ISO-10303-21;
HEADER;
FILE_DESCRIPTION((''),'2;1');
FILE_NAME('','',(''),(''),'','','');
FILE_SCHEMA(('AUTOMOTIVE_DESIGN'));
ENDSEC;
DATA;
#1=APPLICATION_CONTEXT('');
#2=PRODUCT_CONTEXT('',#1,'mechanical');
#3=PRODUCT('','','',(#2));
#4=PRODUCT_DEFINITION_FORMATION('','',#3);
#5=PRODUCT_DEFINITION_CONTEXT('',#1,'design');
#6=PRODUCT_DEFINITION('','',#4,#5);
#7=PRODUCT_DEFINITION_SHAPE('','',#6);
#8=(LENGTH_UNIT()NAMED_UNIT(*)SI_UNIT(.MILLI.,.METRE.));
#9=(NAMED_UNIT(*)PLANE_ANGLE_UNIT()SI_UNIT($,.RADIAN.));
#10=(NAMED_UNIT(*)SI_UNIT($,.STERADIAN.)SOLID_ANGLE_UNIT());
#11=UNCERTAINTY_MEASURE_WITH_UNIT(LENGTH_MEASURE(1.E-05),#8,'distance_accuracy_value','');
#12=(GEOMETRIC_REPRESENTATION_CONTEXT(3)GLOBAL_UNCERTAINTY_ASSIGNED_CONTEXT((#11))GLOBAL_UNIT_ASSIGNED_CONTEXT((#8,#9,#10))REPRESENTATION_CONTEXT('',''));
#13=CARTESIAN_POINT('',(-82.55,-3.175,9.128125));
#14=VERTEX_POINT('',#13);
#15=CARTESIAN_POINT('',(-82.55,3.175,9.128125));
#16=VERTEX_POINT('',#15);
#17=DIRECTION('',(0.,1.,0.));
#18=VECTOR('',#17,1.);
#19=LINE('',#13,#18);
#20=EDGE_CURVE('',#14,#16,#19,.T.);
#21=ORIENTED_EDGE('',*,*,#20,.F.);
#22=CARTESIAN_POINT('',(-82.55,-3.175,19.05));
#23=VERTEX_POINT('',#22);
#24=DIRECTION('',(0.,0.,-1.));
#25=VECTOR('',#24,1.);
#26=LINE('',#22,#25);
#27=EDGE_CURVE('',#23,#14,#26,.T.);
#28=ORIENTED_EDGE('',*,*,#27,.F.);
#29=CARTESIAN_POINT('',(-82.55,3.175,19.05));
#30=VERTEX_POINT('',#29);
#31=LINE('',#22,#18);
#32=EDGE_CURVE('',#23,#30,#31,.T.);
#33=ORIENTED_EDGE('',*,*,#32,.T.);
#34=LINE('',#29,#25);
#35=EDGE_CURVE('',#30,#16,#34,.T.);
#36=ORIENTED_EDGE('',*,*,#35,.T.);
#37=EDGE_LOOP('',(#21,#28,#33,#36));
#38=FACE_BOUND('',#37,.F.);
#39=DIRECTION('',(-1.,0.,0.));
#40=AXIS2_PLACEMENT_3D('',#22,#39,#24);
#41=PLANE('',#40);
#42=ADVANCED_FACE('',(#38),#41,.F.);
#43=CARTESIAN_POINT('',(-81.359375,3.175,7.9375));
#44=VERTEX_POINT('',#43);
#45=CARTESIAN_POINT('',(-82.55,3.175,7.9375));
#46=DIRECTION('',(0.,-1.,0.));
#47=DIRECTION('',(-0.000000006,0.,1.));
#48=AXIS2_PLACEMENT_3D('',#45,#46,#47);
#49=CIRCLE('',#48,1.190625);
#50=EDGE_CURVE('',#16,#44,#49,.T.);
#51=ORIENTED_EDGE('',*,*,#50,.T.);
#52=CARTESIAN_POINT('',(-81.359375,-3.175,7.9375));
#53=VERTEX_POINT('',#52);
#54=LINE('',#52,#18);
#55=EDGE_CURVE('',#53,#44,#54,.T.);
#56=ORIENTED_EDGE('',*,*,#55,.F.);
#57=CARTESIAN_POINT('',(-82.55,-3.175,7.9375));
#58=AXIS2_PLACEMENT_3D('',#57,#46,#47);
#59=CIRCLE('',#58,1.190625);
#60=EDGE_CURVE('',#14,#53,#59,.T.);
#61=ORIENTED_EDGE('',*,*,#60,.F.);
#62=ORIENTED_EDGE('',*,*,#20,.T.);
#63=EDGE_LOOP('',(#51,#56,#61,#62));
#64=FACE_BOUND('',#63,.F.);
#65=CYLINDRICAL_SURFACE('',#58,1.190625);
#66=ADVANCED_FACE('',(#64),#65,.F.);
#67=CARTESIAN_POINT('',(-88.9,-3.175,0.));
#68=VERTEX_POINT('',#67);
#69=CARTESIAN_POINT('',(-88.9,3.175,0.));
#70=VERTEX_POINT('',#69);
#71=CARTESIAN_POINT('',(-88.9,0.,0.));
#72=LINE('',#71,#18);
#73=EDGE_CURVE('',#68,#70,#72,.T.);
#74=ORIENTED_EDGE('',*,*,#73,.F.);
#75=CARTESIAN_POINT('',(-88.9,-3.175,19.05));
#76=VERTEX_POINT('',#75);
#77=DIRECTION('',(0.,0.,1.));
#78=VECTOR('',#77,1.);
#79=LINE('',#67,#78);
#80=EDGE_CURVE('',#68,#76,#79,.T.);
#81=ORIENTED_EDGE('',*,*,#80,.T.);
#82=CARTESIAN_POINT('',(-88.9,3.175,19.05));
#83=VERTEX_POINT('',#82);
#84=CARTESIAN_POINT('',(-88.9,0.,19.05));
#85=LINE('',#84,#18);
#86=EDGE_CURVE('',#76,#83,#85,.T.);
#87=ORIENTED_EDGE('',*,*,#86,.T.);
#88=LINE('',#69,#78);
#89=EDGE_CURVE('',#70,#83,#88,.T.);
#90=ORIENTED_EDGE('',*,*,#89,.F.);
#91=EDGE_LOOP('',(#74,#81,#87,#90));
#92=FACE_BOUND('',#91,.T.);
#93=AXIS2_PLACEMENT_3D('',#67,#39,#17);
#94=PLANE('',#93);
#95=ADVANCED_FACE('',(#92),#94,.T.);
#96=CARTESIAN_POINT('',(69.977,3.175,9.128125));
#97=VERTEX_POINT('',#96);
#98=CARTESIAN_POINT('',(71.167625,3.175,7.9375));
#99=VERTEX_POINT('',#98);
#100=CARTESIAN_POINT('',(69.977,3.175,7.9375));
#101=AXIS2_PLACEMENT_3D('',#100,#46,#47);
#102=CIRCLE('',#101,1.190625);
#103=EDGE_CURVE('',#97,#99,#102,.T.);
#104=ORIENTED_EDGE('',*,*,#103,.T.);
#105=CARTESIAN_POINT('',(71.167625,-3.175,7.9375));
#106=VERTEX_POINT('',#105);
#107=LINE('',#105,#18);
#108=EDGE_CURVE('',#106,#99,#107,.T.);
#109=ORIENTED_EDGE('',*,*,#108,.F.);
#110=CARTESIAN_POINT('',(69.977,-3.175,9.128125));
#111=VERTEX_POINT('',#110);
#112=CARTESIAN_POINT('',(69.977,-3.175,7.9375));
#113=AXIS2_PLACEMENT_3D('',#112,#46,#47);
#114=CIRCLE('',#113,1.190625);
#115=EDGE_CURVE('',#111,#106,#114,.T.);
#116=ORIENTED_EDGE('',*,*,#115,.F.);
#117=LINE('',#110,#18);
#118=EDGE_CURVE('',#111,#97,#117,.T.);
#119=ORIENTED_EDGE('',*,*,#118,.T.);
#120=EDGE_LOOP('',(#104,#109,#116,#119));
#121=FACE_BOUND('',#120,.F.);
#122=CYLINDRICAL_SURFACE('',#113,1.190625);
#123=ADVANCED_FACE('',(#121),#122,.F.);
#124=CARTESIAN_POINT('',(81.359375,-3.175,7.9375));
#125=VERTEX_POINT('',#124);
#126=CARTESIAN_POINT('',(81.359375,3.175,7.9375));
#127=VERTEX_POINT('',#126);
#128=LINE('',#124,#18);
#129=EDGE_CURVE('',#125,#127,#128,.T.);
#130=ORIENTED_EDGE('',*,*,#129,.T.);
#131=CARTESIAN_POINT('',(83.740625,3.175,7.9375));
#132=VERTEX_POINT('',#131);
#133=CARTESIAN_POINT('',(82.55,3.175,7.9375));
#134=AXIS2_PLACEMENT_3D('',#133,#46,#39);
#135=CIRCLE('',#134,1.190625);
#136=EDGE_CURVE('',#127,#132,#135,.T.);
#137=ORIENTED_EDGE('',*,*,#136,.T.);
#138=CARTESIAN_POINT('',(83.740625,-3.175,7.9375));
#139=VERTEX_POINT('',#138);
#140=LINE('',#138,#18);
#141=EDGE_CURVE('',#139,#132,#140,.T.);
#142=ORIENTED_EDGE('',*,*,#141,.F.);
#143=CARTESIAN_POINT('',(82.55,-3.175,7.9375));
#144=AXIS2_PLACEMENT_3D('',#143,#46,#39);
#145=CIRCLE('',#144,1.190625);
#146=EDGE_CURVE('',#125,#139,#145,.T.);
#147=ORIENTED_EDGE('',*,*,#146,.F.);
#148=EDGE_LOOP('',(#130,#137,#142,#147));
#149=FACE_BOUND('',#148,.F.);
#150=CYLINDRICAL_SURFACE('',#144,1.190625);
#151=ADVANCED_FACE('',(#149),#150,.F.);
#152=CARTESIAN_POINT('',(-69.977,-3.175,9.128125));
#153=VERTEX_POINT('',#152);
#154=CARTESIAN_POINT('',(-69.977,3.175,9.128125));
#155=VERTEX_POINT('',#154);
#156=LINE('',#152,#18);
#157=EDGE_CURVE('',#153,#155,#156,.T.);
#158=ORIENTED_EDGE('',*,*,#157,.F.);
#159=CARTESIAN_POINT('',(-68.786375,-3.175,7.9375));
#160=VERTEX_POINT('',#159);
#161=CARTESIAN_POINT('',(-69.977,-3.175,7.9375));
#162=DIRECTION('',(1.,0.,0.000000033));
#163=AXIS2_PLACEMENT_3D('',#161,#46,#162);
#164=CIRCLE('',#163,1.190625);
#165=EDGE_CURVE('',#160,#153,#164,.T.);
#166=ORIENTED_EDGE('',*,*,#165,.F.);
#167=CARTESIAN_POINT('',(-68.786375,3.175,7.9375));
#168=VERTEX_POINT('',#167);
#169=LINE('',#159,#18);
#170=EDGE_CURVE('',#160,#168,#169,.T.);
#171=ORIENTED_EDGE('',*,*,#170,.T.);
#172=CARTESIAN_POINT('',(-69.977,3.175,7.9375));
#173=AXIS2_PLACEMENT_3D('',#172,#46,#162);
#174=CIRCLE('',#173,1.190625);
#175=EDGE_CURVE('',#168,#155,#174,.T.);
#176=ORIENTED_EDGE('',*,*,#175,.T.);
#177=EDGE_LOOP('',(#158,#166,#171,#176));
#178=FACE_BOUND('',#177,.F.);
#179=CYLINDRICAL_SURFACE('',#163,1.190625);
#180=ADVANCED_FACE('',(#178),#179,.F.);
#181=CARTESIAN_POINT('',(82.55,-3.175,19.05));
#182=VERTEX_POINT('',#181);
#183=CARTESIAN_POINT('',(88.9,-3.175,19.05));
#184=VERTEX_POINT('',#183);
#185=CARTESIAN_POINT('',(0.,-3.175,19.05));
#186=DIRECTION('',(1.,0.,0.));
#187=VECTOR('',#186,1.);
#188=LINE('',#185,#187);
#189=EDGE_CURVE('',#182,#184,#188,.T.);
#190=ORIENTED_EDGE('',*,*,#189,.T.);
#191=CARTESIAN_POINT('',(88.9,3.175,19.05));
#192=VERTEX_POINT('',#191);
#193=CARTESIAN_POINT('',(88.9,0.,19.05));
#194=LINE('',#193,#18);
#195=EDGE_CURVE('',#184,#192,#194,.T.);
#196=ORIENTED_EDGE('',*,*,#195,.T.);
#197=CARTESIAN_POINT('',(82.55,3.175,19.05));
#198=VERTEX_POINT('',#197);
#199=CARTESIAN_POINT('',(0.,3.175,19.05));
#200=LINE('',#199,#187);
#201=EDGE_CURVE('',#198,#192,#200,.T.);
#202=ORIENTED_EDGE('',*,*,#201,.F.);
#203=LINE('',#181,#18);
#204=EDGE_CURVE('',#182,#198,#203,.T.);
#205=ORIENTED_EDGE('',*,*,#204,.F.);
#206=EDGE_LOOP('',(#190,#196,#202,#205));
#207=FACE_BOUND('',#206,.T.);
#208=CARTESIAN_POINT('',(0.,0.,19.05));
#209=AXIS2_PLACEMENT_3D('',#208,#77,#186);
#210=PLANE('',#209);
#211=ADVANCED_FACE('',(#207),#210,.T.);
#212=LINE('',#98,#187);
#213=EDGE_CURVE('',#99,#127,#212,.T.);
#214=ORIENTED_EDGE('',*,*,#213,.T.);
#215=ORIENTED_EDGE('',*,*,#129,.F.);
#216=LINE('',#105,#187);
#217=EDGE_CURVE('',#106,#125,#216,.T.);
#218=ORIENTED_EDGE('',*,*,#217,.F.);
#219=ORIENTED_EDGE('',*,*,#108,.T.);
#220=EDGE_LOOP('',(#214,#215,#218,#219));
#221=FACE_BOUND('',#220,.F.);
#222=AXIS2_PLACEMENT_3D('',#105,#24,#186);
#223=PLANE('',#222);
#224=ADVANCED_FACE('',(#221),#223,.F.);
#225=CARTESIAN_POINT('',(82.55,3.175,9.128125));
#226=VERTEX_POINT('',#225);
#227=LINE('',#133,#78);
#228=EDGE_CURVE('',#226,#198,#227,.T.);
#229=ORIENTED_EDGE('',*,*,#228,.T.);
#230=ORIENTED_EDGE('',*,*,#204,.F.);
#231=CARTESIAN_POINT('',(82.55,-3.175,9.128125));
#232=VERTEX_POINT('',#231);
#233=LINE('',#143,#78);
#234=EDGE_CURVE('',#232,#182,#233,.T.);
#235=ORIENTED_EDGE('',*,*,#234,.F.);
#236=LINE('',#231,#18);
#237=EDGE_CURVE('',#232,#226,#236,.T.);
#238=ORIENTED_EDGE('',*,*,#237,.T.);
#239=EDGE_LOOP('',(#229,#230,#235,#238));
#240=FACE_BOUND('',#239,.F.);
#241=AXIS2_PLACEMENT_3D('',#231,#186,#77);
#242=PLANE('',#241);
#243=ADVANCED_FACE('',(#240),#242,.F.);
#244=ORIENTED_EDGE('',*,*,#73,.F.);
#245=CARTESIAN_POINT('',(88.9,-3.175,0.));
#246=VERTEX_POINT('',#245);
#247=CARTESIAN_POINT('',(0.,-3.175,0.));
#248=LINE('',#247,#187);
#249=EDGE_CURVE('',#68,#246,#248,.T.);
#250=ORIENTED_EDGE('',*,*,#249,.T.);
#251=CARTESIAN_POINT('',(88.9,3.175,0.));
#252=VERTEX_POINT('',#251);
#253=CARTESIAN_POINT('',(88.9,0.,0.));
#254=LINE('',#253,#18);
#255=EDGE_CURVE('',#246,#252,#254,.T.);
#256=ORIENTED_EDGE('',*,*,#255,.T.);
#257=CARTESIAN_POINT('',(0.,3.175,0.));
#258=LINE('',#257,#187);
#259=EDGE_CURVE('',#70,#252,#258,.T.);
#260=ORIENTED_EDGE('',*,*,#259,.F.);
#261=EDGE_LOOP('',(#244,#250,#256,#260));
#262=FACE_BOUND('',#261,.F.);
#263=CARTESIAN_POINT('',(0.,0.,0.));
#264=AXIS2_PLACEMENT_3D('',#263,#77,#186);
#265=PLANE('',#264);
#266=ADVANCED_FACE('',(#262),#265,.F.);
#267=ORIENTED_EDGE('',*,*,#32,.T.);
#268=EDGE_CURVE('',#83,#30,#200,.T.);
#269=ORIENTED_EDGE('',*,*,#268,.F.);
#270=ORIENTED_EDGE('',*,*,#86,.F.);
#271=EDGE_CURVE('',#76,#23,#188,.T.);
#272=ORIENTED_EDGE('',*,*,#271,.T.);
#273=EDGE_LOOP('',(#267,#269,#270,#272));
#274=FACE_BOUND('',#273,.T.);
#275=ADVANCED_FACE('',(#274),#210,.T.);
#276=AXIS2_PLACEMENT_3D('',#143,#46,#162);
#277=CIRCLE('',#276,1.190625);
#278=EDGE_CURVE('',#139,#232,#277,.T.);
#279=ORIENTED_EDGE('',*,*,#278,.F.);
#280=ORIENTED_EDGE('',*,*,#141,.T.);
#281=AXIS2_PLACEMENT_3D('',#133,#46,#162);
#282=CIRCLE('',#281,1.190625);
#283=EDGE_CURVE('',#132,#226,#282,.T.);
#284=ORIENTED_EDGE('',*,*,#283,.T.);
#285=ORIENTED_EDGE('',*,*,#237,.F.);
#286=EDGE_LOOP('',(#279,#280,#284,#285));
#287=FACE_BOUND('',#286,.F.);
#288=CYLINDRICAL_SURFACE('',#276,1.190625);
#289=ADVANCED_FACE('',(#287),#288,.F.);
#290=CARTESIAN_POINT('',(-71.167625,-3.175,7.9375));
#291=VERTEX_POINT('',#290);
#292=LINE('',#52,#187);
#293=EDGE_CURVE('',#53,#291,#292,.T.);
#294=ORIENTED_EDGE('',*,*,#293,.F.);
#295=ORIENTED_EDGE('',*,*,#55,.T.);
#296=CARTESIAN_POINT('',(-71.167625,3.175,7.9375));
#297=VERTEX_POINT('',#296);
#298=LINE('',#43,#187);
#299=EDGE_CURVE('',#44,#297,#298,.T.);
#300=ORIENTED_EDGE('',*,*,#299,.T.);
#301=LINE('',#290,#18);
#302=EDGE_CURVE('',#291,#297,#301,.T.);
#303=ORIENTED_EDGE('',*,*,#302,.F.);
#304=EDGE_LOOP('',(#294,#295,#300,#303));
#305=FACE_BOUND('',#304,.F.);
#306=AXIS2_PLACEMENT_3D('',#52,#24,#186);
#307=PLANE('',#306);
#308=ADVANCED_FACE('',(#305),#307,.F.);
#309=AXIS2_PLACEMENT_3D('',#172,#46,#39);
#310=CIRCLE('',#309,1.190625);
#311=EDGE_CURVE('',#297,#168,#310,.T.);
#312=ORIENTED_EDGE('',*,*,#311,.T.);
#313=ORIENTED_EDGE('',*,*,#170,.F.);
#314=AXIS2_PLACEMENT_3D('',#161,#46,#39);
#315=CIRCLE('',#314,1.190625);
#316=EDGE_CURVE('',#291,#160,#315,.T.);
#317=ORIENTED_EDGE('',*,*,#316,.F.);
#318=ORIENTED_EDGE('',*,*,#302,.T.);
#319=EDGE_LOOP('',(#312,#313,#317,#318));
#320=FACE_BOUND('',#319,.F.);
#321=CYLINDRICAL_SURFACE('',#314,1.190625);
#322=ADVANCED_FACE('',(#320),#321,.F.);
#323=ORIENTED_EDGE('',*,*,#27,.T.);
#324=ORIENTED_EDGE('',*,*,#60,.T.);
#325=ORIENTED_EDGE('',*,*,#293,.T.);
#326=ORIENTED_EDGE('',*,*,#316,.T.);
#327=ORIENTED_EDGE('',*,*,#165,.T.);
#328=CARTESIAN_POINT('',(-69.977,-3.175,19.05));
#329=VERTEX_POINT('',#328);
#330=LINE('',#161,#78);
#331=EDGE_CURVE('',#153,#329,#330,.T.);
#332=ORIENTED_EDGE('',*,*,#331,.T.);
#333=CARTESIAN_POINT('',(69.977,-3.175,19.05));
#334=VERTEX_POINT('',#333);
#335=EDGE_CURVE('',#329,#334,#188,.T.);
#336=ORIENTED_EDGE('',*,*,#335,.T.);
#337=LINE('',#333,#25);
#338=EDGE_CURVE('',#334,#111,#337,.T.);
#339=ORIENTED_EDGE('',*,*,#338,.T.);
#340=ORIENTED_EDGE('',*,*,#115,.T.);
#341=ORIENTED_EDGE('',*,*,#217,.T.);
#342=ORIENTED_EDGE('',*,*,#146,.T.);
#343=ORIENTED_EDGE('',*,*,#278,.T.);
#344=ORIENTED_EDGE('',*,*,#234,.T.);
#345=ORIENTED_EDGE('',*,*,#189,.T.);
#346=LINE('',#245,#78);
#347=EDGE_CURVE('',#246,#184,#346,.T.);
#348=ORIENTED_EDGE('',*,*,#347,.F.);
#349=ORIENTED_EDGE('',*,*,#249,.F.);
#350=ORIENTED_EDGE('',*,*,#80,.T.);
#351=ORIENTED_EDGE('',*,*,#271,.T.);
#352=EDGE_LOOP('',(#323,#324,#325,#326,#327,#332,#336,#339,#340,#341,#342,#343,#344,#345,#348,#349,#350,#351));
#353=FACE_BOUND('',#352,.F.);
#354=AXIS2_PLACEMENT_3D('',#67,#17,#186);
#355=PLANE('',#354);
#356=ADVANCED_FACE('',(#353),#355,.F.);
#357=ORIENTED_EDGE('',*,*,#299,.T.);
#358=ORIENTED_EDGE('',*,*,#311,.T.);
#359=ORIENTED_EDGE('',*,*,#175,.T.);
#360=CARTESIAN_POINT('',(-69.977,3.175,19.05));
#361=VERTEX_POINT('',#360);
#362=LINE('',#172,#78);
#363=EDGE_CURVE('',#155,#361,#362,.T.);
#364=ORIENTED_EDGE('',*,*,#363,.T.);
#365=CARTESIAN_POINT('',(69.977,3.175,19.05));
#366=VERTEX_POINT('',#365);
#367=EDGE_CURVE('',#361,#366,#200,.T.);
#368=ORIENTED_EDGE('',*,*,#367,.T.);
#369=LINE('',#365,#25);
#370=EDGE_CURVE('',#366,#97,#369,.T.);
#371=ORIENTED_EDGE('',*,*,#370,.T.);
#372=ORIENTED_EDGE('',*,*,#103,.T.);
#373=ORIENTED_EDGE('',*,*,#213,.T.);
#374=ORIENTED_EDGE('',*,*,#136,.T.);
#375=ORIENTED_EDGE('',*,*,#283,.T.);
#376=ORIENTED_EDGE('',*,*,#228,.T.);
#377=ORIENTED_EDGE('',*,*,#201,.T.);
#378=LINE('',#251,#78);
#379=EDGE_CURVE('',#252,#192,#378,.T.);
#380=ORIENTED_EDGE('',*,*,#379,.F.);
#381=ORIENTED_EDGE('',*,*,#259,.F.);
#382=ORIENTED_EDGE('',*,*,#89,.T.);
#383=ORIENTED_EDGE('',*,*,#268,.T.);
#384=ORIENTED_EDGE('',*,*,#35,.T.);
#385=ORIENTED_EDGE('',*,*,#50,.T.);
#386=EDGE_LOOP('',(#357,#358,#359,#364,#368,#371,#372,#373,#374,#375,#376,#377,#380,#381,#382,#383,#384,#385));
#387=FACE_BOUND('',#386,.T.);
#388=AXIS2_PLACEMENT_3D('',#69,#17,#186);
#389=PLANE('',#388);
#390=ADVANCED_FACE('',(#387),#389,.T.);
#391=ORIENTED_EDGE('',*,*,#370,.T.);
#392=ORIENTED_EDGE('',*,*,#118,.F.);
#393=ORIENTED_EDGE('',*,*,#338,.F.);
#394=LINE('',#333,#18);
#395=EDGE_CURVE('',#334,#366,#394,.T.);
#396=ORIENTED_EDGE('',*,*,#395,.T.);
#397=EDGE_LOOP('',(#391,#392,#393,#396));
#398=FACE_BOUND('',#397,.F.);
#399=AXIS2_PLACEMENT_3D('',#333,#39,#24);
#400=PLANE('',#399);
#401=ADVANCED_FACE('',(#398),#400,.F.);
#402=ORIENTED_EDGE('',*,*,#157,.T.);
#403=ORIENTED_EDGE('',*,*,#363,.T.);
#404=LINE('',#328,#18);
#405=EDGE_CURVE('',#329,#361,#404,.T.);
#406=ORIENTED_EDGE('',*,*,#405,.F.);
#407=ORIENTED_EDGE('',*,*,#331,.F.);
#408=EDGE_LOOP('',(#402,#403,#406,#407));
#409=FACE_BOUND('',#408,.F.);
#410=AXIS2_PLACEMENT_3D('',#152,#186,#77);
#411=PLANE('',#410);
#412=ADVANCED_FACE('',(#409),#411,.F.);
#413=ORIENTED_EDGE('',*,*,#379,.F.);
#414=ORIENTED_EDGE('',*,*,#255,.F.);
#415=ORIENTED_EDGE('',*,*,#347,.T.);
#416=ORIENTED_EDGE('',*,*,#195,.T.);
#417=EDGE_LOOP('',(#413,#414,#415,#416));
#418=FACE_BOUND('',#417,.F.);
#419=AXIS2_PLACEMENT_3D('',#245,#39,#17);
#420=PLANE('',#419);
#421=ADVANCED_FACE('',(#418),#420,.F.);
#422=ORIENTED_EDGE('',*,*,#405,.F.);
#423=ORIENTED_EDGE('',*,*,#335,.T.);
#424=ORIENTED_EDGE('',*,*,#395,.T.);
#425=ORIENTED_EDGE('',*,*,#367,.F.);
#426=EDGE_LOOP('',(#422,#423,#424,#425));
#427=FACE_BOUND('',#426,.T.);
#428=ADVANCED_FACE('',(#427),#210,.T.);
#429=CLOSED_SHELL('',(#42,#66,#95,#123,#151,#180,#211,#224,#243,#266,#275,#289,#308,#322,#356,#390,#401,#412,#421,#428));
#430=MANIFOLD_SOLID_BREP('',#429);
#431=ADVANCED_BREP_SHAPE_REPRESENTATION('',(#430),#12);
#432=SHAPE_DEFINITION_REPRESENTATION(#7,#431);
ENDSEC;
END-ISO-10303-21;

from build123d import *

# Parameters (mm, degrees)
F0_W     = 177.8
F0_H     = 6.35
F1_DEPTH = 19.05
F3_DEPTH = 6.35


with BuildPart() as f1:
    # F0 (on Top) → F1 (new body)
    with BuildSketch(Plane.XY):
        Rectangle(F0_W, F0_H)
    extrude(amount=F1_DEPTH)

    # F2 (on face) → F3 (cut, through all)
    with BuildSketch(Plane.XZ.offset(3.175)):
        with BuildLine():
            Line((-69.977, 19.05), (-82.55, 19.05))
            Line((-82.55, 19.05), (-82.55, 9.128125))
            ThreePointArc((-82.55, 9.128125), (-81.708101, 8.779399), (-81.359375, 7.9375))
            Line((-81.359375, 7.9375), (-71.167625, 7.9375))
            ThreePointArc((-71.167625, 7.9375), (-70.818899, 8.779399), (-69.977, 9.128125))
            Line((-69.977, 9.128125), (-69.977, 19.05))
        make_face()
        with BuildLine():
            Line((-82.55, 7.9375), (-82.55, 9.128125))
            ThreePointArc((-82.55, 9.128125), (-83.391899, 7.095601), (-81.359375, 7.9375))
            Line((-81.359375, 7.9375), (-82.55, 7.9375))
        make_face()
        with BuildLine():
            ThreePointArc((-81.359375, 7.9375), (-81.708101, 8.779399), (-82.55, 9.128125))
            Line((-82.55, 9.128125), (-82.55, 7.9375))
            Line((-82.55, 7.9375), (-81.359375, 7.9375))
        make_face()
        with BuildLine():
            Line((-69.977, 7.9375), (-69.977, 9.128125))
            ThreePointArc((-69.977, 9.128125), (-70.818899, 8.779399), (-71.167625, 7.9375))
            Line((-71.167625, 7.9375), (-69.977, 7.9375))
        make_face()
        with BuildLine():
            ThreePointArc((-68.786375, 7.9375), (-69.135101, 8.779399), (-69.977, 9.128125))
            Line((-69.977, 9.128125), (-69.977, 7.9375))
            Line((-69.977, 7.9375), (-71.167625, 7.9375))
            ThreePointArc((-71.167625, 7.9375), (-69.977, 6.746875), (-68.786375, 7.9375))
        make_face()
        with BuildLine():
            Line((82.55, 19.05), (69.977, 19.05))
            Line((69.977, 19.05), (69.977, 9.128125))
            ThreePointArc((69.977, 9.128125), (70.818899, 8.779399), (71.167625, 7.9375))
            Line((71.167625, 7.9375), (81.359375, 7.9375))
            ThreePointArc((81.359375, 7.9375), (81.708101, 8.779399), (82.55, 9.128125))
            Line((82.55, 9.128125), (82.55, 19.05))
        make_face()
        with BuildLine():
            Line((69.977, 7.9375), (69.977, 9.128125))
            ThreePointArc((69.977, 9.128125), (69.135101, 7.095601), (71.167625, 7.9375))
            Line((71.167625, 7.9375), (69.977, 7.9375))
        make_face()
        with BuildLine():
            ThreePointArc((71.167625, 7.9375), (70.818899, 8.779399), (69.977, 9.128125))
            Line((69.977, 9.128125), (69.977, 7.9375))
            Line((69.977, 7.9375), (71.167625, 7.9375))
        make_face()
        with BuildLine():
            Line((82.55, 7.9375), (82.55, 9.128125))
            ThreePointArc((82.55, 9.128125), (81.708101, 8.779399), (81.359375, 7.9375))
            Line((81.359375, 7.9375), (82.55, 7.9375))
        make_face()
        with BuildLine():
            ThreePointArc((83.740625, 7.9375), (83.391899, 8.779399), (82.55, 9.128125))
            Line((82.55, 9.128125), (82.55, 7.9375))
            Line((82.55, 7.9375), (81.359375, 7.9375))
            ThreePointArc((81.359375, 7.9375), (82.55, 6.746875), (83.740625, 7.9375))
        make_face()
    extrude(amount=-F3_DEPTH, mode=Mode.SUBTRACT)


solid = f1.part
